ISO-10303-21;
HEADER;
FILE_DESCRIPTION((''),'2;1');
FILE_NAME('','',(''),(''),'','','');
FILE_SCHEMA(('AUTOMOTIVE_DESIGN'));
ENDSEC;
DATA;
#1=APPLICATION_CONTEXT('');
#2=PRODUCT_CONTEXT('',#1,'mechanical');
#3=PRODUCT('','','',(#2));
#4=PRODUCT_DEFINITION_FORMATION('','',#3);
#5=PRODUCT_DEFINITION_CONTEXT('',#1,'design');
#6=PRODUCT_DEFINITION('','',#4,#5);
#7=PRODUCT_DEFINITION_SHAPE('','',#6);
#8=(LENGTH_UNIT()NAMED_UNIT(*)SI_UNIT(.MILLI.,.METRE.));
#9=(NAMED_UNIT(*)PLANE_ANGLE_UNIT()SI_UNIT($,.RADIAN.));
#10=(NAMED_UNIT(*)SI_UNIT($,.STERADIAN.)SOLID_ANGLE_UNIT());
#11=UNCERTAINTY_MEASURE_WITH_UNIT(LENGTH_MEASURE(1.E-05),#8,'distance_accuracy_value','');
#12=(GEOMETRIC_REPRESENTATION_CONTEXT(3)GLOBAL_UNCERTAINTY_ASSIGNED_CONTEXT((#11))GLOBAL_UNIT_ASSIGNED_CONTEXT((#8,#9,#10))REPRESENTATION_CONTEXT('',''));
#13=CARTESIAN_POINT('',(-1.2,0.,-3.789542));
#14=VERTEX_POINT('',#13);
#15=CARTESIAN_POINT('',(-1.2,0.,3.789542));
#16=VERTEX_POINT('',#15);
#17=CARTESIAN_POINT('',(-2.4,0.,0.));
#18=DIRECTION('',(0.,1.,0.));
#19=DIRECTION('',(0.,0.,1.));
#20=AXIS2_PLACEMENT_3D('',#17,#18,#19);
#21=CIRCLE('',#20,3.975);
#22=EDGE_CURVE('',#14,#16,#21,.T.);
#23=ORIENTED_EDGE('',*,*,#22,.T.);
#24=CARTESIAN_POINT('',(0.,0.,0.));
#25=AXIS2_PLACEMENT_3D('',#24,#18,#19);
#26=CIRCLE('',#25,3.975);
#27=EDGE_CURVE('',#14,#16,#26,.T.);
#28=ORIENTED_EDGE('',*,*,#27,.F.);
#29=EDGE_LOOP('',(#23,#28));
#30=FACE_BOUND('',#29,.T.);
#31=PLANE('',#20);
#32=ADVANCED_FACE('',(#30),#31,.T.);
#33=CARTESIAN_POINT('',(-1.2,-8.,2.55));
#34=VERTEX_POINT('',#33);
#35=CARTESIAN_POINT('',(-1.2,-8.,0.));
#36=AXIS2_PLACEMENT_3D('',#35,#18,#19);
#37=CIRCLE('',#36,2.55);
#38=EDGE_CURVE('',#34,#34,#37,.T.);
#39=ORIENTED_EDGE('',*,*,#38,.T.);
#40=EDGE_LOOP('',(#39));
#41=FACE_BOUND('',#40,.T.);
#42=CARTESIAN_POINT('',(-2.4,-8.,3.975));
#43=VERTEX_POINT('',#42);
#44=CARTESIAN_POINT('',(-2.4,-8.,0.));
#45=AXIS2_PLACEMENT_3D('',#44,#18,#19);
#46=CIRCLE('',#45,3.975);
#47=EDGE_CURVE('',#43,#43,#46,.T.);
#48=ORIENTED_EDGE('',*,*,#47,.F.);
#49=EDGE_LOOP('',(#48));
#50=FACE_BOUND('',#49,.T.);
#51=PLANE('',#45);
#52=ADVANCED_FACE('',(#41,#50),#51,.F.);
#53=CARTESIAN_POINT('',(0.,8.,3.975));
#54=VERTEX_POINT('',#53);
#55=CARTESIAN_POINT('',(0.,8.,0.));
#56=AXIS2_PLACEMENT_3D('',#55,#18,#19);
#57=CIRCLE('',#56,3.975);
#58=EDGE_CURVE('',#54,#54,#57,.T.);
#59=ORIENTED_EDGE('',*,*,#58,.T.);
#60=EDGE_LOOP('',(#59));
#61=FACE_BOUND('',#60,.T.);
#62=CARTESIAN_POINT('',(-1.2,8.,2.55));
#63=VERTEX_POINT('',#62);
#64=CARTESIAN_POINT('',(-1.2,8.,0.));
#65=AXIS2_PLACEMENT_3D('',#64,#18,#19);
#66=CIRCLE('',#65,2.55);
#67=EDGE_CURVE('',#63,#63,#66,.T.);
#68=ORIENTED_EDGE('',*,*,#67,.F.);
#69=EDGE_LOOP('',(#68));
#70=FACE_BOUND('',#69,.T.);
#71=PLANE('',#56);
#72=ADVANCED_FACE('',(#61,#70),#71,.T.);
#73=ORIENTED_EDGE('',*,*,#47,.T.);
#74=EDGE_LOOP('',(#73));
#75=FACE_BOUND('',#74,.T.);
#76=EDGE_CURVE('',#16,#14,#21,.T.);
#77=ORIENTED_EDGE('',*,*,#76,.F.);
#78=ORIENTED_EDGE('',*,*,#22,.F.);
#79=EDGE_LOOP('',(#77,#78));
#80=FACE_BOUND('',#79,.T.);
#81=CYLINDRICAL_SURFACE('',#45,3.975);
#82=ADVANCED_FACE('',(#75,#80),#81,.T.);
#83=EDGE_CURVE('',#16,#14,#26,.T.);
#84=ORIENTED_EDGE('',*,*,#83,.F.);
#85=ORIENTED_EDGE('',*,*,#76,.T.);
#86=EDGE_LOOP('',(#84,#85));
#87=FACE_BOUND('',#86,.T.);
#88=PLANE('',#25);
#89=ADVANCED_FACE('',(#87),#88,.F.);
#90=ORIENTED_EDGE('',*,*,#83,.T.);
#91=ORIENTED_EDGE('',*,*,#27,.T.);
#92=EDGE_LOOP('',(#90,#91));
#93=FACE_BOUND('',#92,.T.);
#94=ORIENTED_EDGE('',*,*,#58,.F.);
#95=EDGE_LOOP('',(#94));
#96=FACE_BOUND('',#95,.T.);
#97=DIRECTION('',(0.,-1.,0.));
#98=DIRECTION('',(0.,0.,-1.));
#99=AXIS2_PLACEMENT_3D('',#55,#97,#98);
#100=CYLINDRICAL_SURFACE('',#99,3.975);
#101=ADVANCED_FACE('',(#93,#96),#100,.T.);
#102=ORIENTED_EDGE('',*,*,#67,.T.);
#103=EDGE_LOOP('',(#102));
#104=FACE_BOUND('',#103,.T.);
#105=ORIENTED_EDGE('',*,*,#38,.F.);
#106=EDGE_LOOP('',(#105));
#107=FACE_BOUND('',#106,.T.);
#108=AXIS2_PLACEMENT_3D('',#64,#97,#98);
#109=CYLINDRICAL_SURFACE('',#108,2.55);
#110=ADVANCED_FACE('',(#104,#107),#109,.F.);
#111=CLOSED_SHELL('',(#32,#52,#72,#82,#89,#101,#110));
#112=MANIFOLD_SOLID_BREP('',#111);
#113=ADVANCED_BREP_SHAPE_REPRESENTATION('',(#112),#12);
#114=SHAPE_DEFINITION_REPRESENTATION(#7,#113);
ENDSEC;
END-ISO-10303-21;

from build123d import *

# Parameters (mm, degrees)
SKETCH1_R               = 3.975
BOSS_EXTRUDE1_DEPTH     = 8
SKETCH1_3_R             = 3.975
BOSS_EXTRUDE2_DEPTH     = 8
CUT_EXTRUDE1_DEPTH      = 8
CUT_EXTRUDE1_DEPTH_BACK = 8
SKETCH1_5_R             = 2.55


with BuildPart() as part:
    # Sketch1 → Boss-Extrude1 (new body)
    with BuildSketch(Plane(origin=(0, 0, 0), x_dir=(1, 0, 0), z_dir=(0, 1, 0))):
        with Locations(Location((0, 0, 0), (0, 0, 270))):
            Circle(SKETCH1_R)
    extrude(amount=BOSS_EXTRUDE1_DEPTH)

    # Sketch1<3> → Boss-Extrude2 (add)
    with BuildSketch(Plane(origin=(0, 0, 0), x_dir=(1, 0, 0), z_dir=(0, 1, 0))):
        with Locations(Location((-2.4, 0, 0), (0, 0, 270))):
            Circle(SKETCH1_3_R)
    extrude(amount=-BOSS_EXTRUDE2_DEPTH)

    # Sketch1<5> → Cut-Extrude1 (cut, two sides: drawn at the far end of the back side and taken through both)
    with BuildSketch(Plane(origin=(0, 0, 0), x_dir=(1, 0, 0), z_dir=(0, 1, 0)).offset(-CUT_EXTRUDE1_DEPTH_BACK)):
        with Locations(Location((-1.2, 0, 0), (0, 0, 270))):
            Circle(SKETCH1_5_R)
    extrude(amount=CUT_EXTRUDE1_DEPTH + CUT_EXTRUDE1_DEPTH_BACK, mode=Mode.SUBTRACT)


solid = part.part
